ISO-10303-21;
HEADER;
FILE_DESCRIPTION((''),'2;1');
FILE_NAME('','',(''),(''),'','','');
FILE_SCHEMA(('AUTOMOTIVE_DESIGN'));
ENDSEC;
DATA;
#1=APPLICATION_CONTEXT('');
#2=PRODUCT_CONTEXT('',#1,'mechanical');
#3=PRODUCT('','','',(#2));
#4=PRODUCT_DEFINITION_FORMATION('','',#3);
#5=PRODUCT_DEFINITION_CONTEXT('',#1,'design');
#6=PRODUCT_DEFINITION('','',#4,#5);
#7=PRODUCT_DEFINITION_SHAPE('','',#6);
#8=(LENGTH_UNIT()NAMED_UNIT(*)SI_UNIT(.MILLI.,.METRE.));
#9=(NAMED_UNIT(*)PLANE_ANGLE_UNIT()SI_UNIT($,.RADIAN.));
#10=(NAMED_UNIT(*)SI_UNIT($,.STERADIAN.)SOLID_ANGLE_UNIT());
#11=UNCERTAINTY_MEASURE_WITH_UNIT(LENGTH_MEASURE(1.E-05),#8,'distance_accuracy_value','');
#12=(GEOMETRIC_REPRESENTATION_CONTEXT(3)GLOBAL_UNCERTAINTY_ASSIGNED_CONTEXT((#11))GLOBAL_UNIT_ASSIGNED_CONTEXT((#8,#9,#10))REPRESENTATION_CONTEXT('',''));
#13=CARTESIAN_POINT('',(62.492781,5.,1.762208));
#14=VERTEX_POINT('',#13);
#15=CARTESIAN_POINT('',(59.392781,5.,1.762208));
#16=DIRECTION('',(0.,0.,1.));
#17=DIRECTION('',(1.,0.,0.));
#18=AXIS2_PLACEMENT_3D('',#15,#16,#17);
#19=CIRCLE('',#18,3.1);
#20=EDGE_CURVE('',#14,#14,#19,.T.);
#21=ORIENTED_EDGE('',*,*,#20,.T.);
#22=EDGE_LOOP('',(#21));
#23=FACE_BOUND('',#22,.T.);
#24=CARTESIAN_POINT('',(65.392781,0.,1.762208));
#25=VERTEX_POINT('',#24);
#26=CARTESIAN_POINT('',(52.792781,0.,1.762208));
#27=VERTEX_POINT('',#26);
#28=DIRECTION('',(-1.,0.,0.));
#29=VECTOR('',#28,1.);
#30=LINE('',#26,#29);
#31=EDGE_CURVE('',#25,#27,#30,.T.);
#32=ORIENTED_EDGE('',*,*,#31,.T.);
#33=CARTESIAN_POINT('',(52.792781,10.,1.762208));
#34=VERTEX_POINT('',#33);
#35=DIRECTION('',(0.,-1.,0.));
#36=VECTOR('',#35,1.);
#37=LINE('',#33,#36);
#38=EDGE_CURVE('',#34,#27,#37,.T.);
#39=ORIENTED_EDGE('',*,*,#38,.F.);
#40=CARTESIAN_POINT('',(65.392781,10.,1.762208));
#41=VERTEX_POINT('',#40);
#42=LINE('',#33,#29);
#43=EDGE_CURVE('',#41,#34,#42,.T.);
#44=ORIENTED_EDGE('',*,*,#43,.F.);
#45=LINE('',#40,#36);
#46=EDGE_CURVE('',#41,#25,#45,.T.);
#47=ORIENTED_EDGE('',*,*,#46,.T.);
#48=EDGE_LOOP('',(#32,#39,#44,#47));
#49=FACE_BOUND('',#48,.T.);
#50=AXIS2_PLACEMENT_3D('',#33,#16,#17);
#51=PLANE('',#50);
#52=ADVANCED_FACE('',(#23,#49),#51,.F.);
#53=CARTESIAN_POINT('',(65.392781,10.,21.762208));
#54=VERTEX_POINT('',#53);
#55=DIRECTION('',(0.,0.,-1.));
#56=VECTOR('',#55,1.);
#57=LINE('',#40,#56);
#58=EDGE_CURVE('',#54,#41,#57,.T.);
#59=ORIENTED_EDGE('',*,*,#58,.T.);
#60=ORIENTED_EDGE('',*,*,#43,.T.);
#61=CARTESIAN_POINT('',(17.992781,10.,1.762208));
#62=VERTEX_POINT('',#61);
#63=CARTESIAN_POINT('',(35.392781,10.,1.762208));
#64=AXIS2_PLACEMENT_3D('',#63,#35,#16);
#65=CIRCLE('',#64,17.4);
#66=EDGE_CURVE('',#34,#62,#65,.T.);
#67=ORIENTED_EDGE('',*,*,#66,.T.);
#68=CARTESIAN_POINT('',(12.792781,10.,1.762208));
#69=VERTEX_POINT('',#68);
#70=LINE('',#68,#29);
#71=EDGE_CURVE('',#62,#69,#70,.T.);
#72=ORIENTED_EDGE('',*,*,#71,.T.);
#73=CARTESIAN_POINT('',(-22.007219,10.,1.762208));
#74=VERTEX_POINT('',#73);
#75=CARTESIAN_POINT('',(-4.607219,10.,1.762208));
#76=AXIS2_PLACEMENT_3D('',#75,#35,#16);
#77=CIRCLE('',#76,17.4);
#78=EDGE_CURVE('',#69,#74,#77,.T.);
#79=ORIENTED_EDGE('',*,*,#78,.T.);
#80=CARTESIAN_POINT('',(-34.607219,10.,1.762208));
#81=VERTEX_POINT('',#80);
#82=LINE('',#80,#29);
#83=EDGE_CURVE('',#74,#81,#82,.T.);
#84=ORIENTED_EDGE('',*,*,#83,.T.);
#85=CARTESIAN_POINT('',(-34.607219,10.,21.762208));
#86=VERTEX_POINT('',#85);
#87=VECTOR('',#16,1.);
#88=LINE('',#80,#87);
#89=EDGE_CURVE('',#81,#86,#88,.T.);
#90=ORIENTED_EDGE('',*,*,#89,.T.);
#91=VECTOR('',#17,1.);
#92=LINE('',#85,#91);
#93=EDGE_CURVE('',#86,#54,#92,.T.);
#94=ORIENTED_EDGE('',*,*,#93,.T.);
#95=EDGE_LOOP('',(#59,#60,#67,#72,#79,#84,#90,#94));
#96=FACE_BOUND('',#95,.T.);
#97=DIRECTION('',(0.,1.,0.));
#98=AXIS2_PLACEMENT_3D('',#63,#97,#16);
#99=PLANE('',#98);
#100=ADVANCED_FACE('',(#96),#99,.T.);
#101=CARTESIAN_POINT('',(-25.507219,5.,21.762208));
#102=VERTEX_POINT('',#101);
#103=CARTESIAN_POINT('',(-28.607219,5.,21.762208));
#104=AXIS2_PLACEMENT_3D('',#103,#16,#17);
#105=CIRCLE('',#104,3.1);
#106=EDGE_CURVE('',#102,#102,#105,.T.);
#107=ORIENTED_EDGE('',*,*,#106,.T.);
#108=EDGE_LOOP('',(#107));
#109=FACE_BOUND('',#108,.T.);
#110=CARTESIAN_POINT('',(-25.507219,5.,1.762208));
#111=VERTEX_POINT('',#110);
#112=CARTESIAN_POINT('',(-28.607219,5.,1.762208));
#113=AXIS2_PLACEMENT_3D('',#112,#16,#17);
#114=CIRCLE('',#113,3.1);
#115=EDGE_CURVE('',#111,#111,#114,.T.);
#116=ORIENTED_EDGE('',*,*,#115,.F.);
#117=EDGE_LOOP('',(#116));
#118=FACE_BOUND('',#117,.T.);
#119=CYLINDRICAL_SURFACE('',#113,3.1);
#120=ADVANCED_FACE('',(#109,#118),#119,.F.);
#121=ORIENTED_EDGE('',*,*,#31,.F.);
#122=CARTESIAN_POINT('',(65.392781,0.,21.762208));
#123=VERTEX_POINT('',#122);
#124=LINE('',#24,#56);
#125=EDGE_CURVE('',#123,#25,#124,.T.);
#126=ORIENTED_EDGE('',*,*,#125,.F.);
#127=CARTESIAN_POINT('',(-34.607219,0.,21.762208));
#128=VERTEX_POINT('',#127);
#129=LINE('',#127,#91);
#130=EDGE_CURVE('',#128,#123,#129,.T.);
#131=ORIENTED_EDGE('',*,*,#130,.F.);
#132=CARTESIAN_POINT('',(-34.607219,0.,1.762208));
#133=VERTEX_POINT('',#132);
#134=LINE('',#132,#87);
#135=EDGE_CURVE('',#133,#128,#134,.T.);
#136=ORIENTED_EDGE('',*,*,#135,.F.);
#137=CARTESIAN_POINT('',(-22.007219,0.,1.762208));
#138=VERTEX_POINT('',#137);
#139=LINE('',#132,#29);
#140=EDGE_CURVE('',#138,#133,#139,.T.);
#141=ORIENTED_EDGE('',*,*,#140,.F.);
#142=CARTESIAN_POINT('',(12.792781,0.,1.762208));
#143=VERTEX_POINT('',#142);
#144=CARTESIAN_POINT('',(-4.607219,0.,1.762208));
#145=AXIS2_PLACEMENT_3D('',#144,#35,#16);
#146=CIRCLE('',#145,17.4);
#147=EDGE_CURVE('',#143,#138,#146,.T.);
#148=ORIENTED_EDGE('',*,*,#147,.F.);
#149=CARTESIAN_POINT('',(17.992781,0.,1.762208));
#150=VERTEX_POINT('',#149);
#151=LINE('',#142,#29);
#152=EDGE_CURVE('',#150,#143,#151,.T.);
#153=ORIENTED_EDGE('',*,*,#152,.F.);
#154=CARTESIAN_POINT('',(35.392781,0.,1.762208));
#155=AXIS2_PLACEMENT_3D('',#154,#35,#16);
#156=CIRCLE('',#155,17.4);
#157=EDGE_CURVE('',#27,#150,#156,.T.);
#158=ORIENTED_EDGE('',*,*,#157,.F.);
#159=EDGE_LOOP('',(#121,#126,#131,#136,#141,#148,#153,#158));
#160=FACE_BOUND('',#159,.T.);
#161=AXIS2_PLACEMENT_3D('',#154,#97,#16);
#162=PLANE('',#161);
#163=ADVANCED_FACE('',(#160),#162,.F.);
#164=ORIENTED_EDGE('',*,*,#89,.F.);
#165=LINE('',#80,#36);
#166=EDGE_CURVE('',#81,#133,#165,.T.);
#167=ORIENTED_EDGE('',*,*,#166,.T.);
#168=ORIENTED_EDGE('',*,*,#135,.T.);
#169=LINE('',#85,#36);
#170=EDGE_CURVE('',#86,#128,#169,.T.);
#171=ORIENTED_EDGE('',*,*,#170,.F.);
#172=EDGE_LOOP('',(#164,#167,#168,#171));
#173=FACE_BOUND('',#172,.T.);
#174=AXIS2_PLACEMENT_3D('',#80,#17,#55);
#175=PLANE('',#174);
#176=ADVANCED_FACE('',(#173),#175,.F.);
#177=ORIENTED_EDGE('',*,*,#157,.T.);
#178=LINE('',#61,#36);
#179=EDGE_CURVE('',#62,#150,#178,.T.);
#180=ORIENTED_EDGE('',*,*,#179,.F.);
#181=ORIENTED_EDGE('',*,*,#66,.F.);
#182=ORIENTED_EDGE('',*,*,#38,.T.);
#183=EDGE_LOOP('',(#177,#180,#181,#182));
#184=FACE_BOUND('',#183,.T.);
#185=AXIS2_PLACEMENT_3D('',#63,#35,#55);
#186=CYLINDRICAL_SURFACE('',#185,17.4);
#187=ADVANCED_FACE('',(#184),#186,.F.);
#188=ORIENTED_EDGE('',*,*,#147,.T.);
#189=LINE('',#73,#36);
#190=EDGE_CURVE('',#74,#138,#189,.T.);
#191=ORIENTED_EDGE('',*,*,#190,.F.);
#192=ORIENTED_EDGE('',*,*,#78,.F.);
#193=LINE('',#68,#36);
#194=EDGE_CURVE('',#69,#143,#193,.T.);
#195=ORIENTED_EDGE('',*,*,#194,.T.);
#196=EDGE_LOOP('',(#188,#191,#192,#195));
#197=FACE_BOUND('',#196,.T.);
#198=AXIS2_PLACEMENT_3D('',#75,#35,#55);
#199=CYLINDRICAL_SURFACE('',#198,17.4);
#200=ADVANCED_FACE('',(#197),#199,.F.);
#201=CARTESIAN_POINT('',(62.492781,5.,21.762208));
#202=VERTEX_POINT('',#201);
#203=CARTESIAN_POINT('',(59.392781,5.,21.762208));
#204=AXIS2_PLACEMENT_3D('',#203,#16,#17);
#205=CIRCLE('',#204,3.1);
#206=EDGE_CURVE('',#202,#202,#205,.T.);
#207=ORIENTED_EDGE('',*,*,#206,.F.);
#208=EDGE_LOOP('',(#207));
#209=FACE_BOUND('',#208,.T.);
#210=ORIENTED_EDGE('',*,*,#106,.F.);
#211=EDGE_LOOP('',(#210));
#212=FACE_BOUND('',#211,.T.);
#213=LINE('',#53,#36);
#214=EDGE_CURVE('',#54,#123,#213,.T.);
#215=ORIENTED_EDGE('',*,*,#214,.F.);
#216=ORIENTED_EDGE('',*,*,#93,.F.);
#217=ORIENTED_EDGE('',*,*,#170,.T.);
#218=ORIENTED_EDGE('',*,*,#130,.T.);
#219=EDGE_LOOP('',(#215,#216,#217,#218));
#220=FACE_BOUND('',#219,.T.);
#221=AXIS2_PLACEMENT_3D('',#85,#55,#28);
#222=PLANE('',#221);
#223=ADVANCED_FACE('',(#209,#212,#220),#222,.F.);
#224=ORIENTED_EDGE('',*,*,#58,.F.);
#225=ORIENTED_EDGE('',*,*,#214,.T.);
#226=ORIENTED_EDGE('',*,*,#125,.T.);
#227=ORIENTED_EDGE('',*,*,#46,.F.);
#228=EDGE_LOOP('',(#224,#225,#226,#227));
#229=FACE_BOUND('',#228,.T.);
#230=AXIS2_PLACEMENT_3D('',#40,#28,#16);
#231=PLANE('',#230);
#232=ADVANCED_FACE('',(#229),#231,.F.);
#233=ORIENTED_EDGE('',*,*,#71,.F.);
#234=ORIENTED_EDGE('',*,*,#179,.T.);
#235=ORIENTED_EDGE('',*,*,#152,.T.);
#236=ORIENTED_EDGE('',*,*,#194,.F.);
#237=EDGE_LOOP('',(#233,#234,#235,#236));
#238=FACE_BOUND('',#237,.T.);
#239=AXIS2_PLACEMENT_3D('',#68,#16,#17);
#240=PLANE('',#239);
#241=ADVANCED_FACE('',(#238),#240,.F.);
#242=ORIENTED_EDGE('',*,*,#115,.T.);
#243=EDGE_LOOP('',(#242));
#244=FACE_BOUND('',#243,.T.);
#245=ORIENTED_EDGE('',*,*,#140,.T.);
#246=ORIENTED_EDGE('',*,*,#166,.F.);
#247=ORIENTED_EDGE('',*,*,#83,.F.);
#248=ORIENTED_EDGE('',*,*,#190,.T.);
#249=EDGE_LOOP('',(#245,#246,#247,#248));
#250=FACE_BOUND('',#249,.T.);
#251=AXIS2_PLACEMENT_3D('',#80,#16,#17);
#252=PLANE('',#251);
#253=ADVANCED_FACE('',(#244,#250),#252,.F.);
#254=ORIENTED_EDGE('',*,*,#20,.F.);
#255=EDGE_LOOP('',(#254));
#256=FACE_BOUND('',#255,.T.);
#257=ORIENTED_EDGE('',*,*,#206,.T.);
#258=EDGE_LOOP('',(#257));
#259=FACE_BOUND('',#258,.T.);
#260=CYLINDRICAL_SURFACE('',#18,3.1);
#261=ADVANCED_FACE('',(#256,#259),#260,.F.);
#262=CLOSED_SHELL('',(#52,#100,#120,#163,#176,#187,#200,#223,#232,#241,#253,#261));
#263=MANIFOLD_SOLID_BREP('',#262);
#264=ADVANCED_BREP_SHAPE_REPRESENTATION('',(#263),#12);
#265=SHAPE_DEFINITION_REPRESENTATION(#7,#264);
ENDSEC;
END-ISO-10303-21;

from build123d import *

# Parameters (mm, degrees)
BOSS_EXTRUDE1_DEPTH = 10
SKETCH2_R           = 3.1
CUT_EXTRUDE1_DEPTH  = 70.110171815


with BuildPart() as part:
    # Sketch1 → Boss-Extrude1 (new body)
    with BuildSketch(Plane(origin=(0, 0, 0), x_dir=(1, 0, 0), z_dir=(0, 1, 0))):
        with BuildLine():
            Line((12.792781316, -1.762208068), (17.992781316, -1.762208068))
            ThreePointArc((17.992781316, -1.762208068), (35.392781316, -19.162208068), (52.792781316, -1.762208068))
            Line((52.792781316, -1.762208068), (65.392781316, -1.762208068))
            Line((65.392781316, -1.762208068), (65.392781316, -21.762208068))
            Line((65.392781316, -21.762208068), (-34.607218684, -21.762208068))
            Line((-34.607218684, -21.762208068), (-34.607218684, -1.762208068))
            Line((-34.607218684, -1.762208068), (-22.007218684, -1.762208068))
            ThreePointArc((-22.007218684, -1.762208068), (-4.607218684, -19.162208068), (12.792781316, -1.762208068))
        make_face()
    extrude(amount=BOSS_EXTRUDE1_DEPTH)

    # Sketch2 → Cut-Extrude1 (cut, through all)
    with BuildSketch(Plane.XY.offset(21.762208068)):
        with Locations((-28.607218684, 5)):
            Circle(SKETCH2_R)
        with Locations((59.392781316, 5)):
            Circle(SKETCH2_R)
    extrude(amount=-CUT_EXTRUDE1_DEPTH, mode=Mode.SUBTRACT)


solid = part.part
